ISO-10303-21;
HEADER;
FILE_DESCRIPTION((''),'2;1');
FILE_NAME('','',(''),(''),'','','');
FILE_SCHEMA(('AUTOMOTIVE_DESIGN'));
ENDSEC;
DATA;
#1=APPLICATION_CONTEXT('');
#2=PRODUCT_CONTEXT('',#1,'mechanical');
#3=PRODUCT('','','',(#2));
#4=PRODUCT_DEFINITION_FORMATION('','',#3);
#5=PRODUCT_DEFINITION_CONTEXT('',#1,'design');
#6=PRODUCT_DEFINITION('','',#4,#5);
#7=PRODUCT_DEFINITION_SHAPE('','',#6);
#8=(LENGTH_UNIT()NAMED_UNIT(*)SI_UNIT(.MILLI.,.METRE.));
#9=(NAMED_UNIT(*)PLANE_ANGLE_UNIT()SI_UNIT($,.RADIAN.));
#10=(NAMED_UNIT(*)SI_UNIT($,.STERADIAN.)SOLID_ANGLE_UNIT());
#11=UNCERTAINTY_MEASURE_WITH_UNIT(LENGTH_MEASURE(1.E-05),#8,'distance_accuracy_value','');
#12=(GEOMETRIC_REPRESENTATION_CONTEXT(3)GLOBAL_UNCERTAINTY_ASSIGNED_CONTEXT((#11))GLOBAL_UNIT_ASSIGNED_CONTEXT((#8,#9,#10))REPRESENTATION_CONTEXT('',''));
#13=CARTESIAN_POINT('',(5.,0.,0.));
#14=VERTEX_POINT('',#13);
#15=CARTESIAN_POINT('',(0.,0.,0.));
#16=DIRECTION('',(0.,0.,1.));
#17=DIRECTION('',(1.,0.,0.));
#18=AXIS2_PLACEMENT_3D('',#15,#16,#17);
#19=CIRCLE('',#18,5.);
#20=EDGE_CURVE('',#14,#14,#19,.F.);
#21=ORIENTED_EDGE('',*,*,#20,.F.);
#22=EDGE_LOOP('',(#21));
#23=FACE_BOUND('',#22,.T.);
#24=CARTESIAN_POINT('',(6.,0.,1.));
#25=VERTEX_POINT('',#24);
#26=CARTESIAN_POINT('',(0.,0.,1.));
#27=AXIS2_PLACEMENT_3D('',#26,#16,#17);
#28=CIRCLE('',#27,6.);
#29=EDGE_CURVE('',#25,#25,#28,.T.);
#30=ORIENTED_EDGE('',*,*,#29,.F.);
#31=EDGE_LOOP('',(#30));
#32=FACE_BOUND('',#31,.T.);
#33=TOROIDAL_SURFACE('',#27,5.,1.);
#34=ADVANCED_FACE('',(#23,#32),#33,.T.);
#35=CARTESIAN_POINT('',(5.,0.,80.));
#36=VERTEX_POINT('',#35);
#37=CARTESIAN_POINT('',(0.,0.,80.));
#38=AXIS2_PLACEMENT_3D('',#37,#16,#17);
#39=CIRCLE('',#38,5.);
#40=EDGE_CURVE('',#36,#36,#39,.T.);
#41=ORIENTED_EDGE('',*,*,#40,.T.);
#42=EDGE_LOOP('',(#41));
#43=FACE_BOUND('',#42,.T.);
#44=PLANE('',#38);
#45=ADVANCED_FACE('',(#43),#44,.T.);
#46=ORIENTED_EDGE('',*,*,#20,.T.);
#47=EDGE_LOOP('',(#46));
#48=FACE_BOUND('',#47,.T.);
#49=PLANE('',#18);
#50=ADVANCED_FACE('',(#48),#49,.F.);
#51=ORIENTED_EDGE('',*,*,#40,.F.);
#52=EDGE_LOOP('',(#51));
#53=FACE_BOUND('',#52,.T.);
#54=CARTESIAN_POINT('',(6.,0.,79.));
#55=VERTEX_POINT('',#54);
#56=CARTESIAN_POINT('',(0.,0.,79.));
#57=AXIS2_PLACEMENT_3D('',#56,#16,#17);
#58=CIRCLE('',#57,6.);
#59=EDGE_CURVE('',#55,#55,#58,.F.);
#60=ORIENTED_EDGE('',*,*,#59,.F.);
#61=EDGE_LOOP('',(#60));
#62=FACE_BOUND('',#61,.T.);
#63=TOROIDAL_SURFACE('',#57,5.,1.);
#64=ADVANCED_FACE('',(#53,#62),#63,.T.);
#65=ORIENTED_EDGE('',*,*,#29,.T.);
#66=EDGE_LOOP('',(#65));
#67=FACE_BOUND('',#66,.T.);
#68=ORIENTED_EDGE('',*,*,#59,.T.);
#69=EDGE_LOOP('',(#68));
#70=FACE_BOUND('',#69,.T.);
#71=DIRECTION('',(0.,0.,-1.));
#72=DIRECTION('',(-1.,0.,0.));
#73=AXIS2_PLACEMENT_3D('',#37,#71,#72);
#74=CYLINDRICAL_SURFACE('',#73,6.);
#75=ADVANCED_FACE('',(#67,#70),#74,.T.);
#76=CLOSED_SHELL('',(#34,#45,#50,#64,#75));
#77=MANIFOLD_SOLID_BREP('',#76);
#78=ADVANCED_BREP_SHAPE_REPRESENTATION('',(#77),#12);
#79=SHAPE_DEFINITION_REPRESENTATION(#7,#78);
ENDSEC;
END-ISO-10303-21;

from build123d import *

# Parameters (mm, degrees)
SKETCH1_R           = 6
BOSS_EXTRUDE1_DEPTH = 80
FILLET1_R           = 1


with BuildPart() as part:
    # Sketch1 → Boss-Extrude1 (new body)
    with BuildSketch(Plane.XY):
        Circle(SKETCH1_R)
    extrude(amount=BOSS_EXTRUDE1_DEPTH)

    # Fillet1
    fillet1_edges = [part.edges().sort_by_distance(p)[0] for p in [
        (-6, 0, 0),
        (-6, 0, 80),
    ]]
    fillet(fillet1_edges, radius=FILLET1_R)


solid = part.part
